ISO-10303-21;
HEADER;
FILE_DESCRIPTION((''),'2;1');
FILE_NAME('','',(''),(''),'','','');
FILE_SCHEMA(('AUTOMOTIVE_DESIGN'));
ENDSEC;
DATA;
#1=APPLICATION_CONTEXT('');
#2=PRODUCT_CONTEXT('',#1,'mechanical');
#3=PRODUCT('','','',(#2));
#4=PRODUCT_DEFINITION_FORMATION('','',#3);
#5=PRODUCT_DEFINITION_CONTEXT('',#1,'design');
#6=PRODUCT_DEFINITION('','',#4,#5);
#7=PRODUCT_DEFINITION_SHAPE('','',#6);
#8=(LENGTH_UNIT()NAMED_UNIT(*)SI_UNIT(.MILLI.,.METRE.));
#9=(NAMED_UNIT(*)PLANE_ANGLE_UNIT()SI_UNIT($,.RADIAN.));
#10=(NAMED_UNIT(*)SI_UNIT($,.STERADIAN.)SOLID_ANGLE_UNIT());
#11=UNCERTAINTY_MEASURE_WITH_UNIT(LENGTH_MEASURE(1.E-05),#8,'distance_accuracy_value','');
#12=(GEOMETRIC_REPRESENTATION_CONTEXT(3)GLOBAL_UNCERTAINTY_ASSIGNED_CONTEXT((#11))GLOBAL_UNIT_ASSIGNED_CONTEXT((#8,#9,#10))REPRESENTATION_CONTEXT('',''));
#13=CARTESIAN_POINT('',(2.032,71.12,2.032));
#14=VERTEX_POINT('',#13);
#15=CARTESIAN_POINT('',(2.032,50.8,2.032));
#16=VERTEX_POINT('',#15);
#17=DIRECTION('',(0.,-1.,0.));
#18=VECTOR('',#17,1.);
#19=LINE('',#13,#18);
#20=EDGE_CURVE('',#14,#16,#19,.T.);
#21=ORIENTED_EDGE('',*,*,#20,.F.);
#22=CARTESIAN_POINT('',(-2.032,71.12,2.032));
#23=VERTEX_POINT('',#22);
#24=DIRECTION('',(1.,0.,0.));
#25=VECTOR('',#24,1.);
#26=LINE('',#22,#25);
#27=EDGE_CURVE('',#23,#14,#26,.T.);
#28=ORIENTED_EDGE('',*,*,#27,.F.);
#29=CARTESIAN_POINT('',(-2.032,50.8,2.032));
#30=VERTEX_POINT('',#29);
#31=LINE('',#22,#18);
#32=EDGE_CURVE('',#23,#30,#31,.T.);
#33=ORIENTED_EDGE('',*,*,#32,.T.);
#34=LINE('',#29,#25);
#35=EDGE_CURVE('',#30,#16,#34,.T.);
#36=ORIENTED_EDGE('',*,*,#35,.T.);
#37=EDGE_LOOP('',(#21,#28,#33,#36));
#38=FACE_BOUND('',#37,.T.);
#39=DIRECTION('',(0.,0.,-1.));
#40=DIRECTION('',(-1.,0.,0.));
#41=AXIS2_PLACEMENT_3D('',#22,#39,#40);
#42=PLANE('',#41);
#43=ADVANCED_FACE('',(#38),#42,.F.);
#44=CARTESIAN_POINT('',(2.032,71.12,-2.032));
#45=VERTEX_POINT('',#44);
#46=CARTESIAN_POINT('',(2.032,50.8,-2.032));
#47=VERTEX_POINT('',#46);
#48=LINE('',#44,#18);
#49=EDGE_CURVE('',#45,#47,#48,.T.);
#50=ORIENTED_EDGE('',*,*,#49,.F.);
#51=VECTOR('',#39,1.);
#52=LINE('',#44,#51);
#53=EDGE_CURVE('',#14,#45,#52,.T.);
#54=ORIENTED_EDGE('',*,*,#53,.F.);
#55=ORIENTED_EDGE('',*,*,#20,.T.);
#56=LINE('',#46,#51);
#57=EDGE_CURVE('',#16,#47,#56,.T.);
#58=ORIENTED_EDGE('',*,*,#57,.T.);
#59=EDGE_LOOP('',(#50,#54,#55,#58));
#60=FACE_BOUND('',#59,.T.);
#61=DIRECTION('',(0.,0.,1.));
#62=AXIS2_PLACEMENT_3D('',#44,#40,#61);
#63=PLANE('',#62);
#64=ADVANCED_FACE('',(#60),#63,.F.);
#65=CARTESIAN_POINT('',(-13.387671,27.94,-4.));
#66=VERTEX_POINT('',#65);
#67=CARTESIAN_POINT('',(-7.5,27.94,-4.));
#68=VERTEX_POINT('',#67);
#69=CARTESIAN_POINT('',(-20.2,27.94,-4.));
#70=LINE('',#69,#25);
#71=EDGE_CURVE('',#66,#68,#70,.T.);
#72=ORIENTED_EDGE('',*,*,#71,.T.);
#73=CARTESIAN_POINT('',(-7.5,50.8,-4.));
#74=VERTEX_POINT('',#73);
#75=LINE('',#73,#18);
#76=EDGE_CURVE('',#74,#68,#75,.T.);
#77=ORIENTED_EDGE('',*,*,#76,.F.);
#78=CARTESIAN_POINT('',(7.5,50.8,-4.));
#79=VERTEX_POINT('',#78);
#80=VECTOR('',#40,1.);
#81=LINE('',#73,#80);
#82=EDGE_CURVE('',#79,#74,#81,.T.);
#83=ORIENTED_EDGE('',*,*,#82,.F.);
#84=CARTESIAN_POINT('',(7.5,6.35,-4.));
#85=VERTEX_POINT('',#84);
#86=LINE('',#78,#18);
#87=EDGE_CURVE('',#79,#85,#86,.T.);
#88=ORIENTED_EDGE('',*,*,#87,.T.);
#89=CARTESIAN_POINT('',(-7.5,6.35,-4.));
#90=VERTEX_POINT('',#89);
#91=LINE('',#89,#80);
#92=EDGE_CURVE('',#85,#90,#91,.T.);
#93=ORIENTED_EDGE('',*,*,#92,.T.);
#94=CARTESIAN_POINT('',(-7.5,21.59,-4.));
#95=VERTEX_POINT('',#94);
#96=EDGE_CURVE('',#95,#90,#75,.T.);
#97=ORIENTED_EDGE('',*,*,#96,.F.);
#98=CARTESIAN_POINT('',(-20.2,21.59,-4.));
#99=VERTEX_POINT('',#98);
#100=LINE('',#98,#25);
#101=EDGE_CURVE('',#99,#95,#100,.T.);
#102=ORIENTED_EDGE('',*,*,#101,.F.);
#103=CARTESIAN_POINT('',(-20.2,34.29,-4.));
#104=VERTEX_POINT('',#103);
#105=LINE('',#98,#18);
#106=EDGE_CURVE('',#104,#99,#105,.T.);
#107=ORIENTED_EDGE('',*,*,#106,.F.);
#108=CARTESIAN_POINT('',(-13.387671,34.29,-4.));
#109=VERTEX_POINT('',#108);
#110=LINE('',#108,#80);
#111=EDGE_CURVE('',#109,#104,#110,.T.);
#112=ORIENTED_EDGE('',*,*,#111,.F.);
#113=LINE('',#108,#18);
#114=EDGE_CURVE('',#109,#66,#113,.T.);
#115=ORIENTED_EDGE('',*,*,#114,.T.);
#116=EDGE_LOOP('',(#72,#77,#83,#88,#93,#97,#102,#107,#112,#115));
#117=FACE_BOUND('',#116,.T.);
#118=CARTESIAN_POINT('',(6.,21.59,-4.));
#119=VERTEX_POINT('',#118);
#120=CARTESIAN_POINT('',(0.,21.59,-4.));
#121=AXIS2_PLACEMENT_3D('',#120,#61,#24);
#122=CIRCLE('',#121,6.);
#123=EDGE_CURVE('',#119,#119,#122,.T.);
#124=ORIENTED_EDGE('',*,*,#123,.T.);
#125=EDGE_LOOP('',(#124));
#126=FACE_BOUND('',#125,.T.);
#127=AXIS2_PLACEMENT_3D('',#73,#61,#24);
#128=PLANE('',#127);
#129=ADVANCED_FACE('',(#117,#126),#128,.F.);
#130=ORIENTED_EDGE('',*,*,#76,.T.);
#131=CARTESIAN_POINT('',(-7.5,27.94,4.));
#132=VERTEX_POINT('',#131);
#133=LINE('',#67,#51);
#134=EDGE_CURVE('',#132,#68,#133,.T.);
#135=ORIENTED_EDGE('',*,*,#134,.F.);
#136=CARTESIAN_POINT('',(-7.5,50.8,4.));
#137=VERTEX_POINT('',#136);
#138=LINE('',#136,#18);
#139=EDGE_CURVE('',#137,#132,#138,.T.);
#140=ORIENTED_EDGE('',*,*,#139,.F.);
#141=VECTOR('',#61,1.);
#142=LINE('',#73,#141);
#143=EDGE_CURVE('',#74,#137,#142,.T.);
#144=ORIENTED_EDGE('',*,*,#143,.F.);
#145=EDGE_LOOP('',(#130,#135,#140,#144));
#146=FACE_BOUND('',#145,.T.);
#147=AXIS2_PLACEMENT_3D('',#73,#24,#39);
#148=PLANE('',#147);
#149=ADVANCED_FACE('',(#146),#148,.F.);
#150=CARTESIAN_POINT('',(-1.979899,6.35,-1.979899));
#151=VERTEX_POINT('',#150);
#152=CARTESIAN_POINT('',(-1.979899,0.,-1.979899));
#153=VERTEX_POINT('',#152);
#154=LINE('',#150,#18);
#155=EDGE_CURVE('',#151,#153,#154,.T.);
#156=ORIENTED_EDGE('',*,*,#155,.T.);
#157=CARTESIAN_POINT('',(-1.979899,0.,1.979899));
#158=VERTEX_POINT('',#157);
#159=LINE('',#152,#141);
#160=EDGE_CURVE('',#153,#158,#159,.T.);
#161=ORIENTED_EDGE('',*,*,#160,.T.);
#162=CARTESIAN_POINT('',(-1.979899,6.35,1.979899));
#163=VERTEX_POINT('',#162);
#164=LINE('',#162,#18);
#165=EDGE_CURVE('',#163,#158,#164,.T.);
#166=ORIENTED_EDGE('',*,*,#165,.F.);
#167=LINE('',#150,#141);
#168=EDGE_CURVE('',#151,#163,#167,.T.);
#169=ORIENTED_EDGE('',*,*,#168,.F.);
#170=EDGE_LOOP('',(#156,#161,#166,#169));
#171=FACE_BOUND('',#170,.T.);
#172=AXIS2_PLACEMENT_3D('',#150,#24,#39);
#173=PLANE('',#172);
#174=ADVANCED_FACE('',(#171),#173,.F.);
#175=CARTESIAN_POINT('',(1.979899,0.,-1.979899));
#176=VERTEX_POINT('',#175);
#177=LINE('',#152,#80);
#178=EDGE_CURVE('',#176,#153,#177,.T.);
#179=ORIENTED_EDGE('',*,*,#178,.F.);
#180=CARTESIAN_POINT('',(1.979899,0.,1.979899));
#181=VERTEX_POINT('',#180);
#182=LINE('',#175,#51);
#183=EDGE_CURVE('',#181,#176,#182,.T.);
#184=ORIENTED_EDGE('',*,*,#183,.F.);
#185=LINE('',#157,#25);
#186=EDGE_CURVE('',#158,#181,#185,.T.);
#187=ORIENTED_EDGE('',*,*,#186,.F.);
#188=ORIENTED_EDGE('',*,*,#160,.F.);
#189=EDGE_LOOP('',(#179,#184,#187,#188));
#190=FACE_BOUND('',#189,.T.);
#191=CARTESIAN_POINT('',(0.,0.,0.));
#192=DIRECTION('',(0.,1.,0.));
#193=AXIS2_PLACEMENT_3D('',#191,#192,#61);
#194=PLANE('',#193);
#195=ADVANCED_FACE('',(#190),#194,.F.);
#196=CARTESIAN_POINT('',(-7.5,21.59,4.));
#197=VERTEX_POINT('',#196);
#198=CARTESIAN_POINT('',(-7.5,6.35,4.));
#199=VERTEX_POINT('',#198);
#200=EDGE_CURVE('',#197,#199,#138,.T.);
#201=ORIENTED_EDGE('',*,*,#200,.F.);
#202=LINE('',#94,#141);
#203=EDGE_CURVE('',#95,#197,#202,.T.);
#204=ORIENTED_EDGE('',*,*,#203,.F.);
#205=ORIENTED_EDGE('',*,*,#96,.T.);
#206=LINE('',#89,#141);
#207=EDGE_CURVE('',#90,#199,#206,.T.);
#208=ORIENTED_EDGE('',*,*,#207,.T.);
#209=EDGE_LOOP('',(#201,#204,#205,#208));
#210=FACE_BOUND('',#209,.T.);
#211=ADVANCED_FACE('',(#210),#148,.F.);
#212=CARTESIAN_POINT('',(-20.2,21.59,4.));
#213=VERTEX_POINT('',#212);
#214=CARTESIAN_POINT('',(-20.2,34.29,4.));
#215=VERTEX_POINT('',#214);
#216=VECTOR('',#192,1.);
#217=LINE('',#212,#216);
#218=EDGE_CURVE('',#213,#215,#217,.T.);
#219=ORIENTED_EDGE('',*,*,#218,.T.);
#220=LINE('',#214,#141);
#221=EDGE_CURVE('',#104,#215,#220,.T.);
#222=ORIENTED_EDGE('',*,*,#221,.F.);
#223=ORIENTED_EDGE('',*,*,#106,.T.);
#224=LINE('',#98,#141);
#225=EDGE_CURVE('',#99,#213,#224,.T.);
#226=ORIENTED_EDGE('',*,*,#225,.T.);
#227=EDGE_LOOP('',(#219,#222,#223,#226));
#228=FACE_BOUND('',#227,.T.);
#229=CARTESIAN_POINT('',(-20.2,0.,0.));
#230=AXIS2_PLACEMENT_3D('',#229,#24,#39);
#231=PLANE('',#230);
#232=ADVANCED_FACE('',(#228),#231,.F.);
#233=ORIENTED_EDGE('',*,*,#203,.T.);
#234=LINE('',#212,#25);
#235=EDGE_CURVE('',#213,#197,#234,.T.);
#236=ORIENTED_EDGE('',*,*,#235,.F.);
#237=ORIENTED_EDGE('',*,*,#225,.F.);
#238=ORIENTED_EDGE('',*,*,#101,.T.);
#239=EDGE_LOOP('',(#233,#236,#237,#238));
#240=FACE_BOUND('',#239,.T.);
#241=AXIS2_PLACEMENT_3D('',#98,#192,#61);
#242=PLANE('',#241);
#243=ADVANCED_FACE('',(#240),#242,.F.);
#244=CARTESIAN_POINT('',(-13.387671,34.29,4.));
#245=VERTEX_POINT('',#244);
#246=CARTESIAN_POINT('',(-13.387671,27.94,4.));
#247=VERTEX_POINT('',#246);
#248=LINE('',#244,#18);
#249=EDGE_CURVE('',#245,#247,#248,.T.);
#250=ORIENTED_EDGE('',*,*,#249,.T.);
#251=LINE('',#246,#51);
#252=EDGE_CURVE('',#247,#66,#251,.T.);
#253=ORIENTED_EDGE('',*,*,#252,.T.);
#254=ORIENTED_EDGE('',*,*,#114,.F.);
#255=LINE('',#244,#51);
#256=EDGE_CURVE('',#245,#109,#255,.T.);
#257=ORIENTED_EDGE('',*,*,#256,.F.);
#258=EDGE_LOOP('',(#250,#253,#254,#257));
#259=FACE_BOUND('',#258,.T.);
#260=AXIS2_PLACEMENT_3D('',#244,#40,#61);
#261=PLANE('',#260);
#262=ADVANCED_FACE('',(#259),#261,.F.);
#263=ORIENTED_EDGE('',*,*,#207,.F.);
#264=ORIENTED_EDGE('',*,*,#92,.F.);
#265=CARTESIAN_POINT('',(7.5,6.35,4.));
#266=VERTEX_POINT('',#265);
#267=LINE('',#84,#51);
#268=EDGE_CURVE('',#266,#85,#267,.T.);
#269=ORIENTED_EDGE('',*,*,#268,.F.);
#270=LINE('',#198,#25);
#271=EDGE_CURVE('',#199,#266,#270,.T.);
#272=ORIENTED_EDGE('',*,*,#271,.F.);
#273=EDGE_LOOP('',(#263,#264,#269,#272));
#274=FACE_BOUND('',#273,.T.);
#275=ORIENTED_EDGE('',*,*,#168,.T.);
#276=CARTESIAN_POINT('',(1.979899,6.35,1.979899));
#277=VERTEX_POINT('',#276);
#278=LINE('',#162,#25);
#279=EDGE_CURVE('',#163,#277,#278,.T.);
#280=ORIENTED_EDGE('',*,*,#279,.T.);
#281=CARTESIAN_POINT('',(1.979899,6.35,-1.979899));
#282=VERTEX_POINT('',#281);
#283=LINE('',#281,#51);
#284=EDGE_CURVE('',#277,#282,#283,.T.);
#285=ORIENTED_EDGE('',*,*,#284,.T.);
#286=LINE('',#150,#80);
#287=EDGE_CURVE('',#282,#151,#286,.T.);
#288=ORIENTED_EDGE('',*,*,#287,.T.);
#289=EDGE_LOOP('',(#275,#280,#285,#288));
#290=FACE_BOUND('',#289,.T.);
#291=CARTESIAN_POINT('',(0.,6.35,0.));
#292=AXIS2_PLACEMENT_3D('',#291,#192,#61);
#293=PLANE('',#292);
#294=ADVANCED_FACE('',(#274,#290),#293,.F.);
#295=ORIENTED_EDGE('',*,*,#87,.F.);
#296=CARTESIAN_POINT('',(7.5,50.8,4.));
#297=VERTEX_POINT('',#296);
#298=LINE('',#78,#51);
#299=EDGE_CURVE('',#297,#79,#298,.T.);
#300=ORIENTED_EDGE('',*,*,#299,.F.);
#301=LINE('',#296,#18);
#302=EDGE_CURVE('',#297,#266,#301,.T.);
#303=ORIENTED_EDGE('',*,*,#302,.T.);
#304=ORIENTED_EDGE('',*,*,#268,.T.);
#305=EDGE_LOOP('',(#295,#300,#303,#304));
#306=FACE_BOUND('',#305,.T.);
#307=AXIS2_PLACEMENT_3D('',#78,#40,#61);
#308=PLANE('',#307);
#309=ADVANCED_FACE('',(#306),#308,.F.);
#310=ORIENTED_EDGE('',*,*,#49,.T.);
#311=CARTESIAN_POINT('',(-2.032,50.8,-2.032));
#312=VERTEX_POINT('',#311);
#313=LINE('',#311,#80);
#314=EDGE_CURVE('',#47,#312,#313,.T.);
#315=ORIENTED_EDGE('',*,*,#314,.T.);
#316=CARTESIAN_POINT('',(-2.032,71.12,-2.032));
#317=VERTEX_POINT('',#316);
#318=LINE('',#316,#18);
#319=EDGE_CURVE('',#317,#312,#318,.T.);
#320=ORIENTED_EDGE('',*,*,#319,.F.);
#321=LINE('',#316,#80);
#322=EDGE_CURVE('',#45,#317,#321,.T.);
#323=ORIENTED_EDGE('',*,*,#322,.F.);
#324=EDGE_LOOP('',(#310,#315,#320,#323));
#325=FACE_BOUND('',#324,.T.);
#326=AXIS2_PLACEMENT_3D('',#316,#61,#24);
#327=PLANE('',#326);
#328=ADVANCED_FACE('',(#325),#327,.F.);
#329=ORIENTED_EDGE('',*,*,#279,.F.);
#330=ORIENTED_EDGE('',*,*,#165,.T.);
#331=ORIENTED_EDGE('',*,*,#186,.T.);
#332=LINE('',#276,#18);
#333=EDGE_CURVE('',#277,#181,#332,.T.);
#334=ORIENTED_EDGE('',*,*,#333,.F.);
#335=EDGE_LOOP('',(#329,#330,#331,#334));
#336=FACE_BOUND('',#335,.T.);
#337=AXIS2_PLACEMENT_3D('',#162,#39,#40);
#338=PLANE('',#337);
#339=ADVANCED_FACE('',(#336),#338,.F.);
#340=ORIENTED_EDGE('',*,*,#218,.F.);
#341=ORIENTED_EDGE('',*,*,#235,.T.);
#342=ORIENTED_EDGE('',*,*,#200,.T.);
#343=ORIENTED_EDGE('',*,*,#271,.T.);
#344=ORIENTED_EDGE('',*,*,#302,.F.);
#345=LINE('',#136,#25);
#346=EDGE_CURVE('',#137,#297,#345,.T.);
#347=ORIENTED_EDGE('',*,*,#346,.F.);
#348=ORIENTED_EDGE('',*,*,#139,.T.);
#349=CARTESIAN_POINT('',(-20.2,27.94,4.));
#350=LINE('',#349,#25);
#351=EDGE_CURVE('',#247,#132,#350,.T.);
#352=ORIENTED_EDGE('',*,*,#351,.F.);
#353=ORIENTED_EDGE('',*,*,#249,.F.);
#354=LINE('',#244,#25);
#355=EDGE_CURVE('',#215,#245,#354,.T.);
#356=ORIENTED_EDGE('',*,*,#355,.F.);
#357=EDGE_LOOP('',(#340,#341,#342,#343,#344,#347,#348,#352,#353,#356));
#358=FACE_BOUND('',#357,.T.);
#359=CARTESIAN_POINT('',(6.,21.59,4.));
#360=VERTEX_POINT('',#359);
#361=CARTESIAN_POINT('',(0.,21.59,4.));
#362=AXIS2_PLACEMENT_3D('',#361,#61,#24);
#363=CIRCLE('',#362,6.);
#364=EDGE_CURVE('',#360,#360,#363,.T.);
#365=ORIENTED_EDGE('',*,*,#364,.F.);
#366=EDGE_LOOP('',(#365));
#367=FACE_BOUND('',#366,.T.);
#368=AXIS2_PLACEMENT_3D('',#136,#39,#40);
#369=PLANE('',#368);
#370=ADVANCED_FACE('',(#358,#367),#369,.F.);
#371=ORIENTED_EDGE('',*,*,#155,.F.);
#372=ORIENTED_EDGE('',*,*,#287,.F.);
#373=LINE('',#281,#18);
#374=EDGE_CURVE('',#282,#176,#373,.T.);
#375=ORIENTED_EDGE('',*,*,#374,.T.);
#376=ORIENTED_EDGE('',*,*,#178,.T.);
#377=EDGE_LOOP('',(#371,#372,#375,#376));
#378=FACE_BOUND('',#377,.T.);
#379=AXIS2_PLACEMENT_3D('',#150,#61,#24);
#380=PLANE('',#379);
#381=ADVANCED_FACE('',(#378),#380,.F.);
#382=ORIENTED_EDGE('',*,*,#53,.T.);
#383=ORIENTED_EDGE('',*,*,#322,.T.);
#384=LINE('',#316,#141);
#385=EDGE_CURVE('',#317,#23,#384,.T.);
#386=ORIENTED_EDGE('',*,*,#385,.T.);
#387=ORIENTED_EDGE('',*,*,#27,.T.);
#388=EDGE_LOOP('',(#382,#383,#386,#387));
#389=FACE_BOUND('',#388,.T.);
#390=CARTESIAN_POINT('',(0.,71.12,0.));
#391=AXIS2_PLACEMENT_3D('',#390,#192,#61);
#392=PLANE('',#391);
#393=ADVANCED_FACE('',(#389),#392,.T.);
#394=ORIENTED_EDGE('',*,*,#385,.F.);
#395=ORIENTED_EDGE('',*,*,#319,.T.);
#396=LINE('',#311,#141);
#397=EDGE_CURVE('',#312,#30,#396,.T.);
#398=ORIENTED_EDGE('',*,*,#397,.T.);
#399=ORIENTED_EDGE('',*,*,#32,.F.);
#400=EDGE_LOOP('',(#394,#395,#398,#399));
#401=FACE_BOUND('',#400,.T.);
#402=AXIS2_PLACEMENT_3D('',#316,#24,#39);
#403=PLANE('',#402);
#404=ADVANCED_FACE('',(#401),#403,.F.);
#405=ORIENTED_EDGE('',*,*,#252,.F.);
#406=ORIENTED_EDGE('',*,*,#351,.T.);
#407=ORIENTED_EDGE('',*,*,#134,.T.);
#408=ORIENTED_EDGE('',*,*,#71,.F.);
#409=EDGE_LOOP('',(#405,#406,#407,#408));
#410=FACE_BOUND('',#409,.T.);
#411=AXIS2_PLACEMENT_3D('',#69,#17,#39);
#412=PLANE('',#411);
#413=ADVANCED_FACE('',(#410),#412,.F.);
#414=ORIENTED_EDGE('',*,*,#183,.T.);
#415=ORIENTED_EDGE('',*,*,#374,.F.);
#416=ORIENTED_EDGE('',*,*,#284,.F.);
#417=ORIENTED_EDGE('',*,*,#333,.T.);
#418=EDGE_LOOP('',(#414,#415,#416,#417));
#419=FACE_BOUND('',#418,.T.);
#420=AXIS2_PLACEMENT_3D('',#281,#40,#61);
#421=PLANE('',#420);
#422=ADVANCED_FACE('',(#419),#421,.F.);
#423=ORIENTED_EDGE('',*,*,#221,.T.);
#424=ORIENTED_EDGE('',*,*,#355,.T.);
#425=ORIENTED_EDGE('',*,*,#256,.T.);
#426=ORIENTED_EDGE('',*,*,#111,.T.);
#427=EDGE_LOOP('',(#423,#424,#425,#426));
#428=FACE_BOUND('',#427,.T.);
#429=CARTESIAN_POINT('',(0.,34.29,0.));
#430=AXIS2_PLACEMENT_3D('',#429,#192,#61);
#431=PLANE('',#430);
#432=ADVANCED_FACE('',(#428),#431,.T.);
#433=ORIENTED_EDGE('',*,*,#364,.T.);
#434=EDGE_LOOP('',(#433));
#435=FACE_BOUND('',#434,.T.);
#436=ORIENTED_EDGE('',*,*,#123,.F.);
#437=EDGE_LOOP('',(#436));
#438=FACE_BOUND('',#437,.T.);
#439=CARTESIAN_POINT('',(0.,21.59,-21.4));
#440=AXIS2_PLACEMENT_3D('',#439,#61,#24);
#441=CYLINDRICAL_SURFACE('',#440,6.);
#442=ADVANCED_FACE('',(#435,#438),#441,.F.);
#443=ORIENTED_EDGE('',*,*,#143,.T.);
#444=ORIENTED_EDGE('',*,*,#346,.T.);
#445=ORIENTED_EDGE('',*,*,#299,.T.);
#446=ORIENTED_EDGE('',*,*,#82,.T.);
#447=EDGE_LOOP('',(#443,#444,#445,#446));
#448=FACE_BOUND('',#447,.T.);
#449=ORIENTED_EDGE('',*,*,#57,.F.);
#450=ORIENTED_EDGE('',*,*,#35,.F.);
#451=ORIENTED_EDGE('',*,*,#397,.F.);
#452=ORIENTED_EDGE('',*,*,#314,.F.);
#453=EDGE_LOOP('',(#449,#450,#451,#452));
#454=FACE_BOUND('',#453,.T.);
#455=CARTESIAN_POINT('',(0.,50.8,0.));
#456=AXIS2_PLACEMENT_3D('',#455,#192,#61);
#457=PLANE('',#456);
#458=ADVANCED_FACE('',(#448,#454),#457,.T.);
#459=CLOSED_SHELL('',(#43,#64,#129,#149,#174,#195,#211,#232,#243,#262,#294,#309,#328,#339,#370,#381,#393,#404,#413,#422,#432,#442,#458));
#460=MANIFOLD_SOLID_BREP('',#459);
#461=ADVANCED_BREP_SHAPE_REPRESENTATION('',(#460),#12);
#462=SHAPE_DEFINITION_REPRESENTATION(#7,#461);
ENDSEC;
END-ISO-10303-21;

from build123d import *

# Parameters (mm, degrees)
SKETCH1_W           = 3.959797974
SKETCH1_H           = 3.959797974
BOSS_EXTRUDE1_DEPTH = 6.35
SKETCH2_W           = 15
SKETCH2_H           = 8
BOSS_EXTRUDE2_DEPTH = 44.45
SKETCH3_R           = 6
CUT_EXTRUDE1_DEPTH  = 25.4
SKETCH4_W           = 4.064
SKETCH4_H           = 4.064
BOSS_EXTRUDE3_DEPTH = 20.32
SKETCH5_W           = 8
SKETCH5_H           = 6.35
BOSS_EXTRUDE4_DEPTH = 12.7
SKETCH6_W           = 6.812329396
SKETCH6_H           = 8
BOSS_EXTRUDE5_DEPTH = 6.35


with BuildPart() as part:
    # Sketch1 → Boss-Extrude1 (new body)
    with BuildSketch(Plane(origin=(0, 0, 0), x_dir=(1, 0, 0), z_dir=(0, 1, 0))):
        Rectangle(SKETCH1_W, SKETCH1_H)
    extrude(amount=BOSS_EXTRUDE1_DEPTH)

    # Sketch2 → Boss-Extrude2 (add)
    with BuildSketch(Plane(origin=(0, 6.35, 0), x_dir=(1, 0, 0), z_dir=(0, 1, 0))):
        Rectangle(SKETCH2_W, SKETCH2_H)
    extrude(amount=BOSS_EXTRUDE2_DEPTH)

    # Sketch3 → Cut-Extrude1 (cut)
    with BuildSketch(Plane.XY.offset(4)):
        with Locations((0, 21.59)):
            Circle(SKETCH3_R)
    extrude(amount=-CUT_EXTRUDE1_DEPTH, mode=Mode.SUBTRACT)

    # Sketch4 → Boss-Extrude3 (add)
    with BuildSketch(Plane(origin=(0, 50.8, 0), x_dir=(1, 0, 0), z_dir=(0, 1, 0))):
        Rectangle(SKETCH4_W, SKETCH4_H)
    extrude(amount=BOSS_EXTRUDE3_DEPTH)

    # Sketch5 → Boss-Extrude4 (add)
    with BuildSketch(Plane.ZY.offset(7.5)):
        with Locations((0, 24.765)):
            Rectangle(SKETCH5_W, SKETCH5_H)
    extrude(amount=BOSS_EXTRUDE4_DEPTH)

    # Sketch6 → Boss-Extrude5 (add)
    with BuildSketch(Plane(origin=(0, 27.94, 0), x_dir=(1, 0, 0), z_dir=(0, 1, 0))):
        with Locations((-16.793835302, 0)):
            Rectangle(SKETCH6_W, SKETCH6_H)
    extrude(amount=BOSS_EXTRUDE5_DEPTH)


solid = part.part
